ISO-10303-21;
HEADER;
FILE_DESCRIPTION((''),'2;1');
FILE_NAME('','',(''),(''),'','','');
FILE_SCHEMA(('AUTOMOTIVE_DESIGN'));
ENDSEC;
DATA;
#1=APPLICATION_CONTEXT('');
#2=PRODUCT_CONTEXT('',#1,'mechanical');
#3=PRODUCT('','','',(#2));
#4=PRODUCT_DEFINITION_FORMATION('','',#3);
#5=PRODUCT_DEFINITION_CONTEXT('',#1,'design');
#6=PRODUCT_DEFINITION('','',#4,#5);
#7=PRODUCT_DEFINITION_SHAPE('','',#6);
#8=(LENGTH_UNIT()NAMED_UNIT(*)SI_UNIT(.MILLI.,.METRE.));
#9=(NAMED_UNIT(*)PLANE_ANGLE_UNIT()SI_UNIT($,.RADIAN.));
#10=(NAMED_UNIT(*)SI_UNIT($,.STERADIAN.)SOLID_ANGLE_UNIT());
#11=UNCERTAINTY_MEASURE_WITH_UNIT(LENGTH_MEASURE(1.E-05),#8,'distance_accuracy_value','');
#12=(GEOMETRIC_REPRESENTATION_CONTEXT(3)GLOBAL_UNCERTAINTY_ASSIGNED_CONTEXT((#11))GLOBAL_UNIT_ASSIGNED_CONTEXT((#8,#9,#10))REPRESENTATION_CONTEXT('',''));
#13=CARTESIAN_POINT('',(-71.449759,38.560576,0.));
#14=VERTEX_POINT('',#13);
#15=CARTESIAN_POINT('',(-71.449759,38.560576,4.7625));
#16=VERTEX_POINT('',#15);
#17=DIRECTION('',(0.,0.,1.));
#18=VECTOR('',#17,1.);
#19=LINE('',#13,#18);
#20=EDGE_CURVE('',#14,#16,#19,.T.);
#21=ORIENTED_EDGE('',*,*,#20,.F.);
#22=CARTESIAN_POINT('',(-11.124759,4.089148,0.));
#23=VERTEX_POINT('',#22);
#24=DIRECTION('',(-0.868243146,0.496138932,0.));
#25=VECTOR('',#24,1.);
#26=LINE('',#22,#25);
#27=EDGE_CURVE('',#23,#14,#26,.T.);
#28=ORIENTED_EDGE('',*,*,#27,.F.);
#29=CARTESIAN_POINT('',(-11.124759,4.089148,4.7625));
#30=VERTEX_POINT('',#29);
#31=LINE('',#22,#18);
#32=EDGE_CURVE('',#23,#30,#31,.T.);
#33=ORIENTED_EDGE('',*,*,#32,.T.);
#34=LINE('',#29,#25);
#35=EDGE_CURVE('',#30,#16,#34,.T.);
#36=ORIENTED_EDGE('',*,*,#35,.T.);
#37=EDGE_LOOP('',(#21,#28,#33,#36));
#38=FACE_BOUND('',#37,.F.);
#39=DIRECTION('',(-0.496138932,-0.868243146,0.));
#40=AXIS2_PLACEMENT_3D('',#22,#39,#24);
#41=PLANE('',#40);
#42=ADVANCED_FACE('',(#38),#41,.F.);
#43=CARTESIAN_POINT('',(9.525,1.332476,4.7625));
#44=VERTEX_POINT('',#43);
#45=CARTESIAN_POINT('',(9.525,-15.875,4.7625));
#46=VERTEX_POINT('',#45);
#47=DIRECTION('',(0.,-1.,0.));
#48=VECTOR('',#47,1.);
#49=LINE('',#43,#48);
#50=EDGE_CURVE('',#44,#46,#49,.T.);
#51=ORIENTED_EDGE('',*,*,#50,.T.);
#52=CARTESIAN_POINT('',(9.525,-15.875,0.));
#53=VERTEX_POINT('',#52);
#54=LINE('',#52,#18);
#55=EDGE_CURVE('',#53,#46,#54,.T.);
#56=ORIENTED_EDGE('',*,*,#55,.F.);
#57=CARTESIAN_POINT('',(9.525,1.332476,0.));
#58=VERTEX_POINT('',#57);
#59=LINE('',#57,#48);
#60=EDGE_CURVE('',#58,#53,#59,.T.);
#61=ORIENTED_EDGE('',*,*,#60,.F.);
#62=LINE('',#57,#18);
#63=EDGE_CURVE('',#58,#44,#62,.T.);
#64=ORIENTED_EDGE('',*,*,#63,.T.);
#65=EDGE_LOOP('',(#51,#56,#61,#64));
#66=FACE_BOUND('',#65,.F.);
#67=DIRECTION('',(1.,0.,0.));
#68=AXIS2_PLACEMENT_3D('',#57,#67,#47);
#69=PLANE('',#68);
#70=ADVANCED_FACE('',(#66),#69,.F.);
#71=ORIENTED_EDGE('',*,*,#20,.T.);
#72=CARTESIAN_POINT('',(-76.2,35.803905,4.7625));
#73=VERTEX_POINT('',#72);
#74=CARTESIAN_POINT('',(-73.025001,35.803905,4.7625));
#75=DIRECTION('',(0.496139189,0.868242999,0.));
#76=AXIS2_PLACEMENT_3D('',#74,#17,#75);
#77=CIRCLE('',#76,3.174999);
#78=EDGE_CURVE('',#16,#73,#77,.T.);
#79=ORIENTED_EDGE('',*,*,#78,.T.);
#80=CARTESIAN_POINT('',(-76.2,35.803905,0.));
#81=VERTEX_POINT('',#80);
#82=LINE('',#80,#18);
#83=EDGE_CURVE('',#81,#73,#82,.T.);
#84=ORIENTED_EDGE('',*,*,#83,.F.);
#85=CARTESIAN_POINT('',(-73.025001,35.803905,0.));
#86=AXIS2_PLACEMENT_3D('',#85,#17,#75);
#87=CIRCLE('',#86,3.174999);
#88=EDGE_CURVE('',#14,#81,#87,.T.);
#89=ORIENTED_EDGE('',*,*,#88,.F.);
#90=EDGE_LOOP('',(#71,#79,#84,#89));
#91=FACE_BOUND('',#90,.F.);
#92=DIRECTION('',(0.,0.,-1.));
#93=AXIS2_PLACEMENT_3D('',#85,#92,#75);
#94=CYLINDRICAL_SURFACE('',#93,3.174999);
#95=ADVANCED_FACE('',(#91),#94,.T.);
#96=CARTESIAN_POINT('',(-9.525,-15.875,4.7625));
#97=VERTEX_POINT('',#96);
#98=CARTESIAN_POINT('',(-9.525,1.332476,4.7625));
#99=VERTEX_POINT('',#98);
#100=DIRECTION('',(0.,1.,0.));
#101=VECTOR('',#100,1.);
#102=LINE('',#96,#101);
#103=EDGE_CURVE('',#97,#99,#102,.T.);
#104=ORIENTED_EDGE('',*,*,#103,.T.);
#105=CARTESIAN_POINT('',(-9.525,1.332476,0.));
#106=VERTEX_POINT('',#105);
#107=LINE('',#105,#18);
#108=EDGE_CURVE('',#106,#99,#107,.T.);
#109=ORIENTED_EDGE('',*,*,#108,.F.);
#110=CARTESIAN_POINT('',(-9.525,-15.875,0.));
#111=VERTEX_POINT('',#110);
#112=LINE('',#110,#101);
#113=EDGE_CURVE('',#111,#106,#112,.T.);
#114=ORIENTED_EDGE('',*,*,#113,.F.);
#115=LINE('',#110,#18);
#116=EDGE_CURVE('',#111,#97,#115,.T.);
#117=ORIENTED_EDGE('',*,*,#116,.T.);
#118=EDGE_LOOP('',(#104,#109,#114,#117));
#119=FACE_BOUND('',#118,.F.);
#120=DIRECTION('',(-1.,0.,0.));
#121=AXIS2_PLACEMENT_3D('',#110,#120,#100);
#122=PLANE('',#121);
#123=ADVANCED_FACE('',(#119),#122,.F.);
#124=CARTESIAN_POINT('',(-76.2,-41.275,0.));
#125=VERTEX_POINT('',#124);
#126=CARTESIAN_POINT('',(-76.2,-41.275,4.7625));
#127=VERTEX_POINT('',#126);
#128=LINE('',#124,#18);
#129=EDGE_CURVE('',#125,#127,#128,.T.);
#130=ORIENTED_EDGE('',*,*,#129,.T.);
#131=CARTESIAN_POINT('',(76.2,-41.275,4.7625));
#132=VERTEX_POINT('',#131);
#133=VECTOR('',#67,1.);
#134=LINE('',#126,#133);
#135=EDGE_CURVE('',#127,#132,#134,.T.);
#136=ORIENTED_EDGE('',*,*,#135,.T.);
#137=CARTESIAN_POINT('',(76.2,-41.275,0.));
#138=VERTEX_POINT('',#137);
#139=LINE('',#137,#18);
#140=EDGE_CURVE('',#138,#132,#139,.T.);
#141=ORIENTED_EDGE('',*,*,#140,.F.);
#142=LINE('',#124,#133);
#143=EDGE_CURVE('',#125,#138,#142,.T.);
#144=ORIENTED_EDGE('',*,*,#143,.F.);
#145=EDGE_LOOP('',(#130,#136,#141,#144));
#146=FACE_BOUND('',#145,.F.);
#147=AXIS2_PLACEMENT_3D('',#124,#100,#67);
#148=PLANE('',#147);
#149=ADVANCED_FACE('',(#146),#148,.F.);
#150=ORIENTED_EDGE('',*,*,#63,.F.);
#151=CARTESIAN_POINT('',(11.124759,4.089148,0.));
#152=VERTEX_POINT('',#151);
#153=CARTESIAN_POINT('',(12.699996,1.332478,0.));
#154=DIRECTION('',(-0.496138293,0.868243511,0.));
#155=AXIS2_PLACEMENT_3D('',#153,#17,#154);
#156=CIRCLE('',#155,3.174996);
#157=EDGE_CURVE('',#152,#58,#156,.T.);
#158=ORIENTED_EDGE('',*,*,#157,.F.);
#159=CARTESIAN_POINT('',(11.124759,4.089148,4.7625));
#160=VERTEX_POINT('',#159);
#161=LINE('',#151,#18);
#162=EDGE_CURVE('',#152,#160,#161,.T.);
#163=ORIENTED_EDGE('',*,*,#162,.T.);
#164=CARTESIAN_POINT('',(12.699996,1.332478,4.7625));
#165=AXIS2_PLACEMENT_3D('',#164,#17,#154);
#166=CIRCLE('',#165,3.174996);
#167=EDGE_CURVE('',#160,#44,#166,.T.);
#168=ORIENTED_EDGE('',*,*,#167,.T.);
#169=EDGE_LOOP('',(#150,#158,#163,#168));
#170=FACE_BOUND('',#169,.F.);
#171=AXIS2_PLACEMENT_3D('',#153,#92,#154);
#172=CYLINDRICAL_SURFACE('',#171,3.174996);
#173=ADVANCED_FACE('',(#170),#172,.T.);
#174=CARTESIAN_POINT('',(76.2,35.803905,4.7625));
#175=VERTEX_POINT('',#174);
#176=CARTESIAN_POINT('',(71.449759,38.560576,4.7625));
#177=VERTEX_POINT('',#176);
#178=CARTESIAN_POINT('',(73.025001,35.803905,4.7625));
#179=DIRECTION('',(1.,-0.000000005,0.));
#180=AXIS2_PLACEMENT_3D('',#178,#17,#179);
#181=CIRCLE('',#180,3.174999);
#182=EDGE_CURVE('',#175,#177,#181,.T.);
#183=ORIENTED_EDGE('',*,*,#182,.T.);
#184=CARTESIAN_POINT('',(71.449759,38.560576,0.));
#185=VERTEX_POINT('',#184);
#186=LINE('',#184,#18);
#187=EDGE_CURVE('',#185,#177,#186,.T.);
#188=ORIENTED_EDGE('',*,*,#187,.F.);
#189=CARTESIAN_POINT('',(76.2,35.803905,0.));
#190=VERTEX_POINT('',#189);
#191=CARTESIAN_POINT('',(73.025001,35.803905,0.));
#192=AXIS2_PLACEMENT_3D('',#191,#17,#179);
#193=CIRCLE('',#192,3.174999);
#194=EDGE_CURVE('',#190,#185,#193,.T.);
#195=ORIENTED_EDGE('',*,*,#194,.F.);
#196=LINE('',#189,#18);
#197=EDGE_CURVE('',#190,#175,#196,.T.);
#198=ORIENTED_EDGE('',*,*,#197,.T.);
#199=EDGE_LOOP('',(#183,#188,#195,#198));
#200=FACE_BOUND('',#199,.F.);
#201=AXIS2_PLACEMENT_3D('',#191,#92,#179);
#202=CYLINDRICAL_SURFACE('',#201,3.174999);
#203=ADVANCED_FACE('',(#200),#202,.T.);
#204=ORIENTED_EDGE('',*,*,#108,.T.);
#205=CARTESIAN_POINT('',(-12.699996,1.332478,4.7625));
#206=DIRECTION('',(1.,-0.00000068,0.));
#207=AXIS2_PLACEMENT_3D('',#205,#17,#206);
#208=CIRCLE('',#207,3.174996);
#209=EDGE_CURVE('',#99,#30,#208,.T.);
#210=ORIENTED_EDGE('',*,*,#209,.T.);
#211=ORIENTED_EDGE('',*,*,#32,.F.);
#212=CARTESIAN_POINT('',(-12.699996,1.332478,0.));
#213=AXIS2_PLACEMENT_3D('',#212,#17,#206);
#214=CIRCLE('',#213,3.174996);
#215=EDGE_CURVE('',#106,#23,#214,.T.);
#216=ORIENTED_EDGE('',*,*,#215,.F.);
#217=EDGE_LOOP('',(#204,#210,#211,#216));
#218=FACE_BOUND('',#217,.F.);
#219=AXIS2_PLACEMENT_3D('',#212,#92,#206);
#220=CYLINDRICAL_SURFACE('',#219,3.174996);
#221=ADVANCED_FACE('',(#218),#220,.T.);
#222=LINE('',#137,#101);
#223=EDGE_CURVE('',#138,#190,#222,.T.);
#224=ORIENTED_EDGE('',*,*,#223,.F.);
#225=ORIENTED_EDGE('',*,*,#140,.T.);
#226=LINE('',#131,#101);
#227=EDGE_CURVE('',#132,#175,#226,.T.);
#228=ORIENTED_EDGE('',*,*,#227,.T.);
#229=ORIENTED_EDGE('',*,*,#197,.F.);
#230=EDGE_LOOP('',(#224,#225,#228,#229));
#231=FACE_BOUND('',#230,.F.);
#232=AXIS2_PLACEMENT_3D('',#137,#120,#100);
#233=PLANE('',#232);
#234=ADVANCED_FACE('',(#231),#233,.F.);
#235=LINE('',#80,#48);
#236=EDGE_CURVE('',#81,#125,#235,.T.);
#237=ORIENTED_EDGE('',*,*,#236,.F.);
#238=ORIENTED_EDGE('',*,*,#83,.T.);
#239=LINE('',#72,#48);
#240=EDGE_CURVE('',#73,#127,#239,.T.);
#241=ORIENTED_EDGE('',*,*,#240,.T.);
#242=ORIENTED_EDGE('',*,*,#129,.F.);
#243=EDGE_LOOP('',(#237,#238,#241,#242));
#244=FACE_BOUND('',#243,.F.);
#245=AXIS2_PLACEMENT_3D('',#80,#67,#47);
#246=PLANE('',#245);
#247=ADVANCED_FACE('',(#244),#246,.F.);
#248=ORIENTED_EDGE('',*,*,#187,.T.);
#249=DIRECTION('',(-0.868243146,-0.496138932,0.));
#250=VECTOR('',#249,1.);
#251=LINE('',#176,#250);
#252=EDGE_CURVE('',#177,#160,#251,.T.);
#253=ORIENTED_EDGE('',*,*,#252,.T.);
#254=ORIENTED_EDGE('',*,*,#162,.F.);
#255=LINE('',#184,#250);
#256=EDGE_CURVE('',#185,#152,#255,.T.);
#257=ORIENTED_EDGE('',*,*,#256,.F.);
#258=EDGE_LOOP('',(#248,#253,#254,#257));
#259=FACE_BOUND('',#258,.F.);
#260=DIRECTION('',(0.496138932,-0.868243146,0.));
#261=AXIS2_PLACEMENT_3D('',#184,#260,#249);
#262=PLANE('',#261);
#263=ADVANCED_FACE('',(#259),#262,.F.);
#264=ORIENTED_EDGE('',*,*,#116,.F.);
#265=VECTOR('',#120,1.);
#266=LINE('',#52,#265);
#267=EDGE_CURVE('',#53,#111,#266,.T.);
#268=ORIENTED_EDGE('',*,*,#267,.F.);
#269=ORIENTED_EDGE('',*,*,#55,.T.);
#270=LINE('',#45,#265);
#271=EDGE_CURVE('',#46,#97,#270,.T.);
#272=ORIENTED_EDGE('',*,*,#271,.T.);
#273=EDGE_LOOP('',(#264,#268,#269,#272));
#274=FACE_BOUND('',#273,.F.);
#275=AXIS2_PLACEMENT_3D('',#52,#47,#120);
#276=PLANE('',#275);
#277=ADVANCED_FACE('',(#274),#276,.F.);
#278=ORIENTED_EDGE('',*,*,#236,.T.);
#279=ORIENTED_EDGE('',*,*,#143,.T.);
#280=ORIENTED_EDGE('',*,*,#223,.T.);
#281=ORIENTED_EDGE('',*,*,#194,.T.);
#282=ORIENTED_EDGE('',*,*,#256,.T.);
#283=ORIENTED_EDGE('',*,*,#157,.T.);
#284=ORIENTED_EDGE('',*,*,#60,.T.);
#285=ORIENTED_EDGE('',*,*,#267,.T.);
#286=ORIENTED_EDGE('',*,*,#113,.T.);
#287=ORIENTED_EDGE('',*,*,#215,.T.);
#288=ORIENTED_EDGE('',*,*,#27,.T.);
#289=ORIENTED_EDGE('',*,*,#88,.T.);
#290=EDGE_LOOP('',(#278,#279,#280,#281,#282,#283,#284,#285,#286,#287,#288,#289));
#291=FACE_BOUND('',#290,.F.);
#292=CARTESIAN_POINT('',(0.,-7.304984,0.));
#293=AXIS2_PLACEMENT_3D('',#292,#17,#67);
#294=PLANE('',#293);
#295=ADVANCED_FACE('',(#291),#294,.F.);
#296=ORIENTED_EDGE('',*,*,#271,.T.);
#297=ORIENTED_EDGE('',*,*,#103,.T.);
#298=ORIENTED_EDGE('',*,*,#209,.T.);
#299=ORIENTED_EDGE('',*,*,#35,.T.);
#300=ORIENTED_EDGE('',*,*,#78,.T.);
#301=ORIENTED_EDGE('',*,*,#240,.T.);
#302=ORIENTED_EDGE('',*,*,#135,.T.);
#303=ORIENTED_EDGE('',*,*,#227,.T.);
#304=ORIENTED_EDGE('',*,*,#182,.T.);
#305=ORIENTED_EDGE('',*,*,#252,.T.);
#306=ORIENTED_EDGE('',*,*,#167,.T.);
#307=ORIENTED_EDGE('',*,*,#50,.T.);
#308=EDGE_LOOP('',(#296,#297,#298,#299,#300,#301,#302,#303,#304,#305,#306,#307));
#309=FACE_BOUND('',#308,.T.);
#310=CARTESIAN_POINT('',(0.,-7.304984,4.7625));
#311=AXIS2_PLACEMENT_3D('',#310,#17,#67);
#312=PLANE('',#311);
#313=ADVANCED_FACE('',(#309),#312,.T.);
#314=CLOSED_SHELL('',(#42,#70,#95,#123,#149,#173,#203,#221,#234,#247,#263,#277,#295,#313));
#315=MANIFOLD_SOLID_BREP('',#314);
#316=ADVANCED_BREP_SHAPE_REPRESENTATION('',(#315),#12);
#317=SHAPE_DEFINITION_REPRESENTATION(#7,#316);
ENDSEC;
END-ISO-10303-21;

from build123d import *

# Parameters (mm, degrees)
F1_DEPTH = 4.7625


with BuildPart() as f1:
    # F0 (on Top) → F1 (new body)
    with BuildSketch(Plane.XY):
        with BuildLine():
            Line((-76.2, -41.275), (76.2, -41.275))
            Line((76.2, -41.275), (76.2, 35.803905))
            ThreePointArc((76.2, 35.803905), (74.618618, 38.549994), (71.449759, 38.560576))
            Line((71.449759, 38.560576), (11.124759, 4.089148))
            ThreePointArc((11.124759, 4.089148), (9.95391, 2.926094), (9.525, 1.332476))
            Line((9.525, 1.332476), (9.525, -15.875))
            Line((9.525, -15.875), (-9.525, -15.875))
            Line((-9.525, -15.875), (-9.525, 1.332476))
            ThreePointArc((-9.525, 1.332476), (-9.95391, 2.926094), (-11.124759, 4.089148))
            Line((-11.124759, 4.089148), (-71.449759, 38.560576))
            ThreePointArc((-71.449759, 38.560576), (-74.618618, 38.549994), (-76.2, 35.803905))
            Line((-76.2, 35.803905), (-76.2, -41.275))
        make_face()
    extrude(amount=F1_DEPTH)


solid = f1.part
